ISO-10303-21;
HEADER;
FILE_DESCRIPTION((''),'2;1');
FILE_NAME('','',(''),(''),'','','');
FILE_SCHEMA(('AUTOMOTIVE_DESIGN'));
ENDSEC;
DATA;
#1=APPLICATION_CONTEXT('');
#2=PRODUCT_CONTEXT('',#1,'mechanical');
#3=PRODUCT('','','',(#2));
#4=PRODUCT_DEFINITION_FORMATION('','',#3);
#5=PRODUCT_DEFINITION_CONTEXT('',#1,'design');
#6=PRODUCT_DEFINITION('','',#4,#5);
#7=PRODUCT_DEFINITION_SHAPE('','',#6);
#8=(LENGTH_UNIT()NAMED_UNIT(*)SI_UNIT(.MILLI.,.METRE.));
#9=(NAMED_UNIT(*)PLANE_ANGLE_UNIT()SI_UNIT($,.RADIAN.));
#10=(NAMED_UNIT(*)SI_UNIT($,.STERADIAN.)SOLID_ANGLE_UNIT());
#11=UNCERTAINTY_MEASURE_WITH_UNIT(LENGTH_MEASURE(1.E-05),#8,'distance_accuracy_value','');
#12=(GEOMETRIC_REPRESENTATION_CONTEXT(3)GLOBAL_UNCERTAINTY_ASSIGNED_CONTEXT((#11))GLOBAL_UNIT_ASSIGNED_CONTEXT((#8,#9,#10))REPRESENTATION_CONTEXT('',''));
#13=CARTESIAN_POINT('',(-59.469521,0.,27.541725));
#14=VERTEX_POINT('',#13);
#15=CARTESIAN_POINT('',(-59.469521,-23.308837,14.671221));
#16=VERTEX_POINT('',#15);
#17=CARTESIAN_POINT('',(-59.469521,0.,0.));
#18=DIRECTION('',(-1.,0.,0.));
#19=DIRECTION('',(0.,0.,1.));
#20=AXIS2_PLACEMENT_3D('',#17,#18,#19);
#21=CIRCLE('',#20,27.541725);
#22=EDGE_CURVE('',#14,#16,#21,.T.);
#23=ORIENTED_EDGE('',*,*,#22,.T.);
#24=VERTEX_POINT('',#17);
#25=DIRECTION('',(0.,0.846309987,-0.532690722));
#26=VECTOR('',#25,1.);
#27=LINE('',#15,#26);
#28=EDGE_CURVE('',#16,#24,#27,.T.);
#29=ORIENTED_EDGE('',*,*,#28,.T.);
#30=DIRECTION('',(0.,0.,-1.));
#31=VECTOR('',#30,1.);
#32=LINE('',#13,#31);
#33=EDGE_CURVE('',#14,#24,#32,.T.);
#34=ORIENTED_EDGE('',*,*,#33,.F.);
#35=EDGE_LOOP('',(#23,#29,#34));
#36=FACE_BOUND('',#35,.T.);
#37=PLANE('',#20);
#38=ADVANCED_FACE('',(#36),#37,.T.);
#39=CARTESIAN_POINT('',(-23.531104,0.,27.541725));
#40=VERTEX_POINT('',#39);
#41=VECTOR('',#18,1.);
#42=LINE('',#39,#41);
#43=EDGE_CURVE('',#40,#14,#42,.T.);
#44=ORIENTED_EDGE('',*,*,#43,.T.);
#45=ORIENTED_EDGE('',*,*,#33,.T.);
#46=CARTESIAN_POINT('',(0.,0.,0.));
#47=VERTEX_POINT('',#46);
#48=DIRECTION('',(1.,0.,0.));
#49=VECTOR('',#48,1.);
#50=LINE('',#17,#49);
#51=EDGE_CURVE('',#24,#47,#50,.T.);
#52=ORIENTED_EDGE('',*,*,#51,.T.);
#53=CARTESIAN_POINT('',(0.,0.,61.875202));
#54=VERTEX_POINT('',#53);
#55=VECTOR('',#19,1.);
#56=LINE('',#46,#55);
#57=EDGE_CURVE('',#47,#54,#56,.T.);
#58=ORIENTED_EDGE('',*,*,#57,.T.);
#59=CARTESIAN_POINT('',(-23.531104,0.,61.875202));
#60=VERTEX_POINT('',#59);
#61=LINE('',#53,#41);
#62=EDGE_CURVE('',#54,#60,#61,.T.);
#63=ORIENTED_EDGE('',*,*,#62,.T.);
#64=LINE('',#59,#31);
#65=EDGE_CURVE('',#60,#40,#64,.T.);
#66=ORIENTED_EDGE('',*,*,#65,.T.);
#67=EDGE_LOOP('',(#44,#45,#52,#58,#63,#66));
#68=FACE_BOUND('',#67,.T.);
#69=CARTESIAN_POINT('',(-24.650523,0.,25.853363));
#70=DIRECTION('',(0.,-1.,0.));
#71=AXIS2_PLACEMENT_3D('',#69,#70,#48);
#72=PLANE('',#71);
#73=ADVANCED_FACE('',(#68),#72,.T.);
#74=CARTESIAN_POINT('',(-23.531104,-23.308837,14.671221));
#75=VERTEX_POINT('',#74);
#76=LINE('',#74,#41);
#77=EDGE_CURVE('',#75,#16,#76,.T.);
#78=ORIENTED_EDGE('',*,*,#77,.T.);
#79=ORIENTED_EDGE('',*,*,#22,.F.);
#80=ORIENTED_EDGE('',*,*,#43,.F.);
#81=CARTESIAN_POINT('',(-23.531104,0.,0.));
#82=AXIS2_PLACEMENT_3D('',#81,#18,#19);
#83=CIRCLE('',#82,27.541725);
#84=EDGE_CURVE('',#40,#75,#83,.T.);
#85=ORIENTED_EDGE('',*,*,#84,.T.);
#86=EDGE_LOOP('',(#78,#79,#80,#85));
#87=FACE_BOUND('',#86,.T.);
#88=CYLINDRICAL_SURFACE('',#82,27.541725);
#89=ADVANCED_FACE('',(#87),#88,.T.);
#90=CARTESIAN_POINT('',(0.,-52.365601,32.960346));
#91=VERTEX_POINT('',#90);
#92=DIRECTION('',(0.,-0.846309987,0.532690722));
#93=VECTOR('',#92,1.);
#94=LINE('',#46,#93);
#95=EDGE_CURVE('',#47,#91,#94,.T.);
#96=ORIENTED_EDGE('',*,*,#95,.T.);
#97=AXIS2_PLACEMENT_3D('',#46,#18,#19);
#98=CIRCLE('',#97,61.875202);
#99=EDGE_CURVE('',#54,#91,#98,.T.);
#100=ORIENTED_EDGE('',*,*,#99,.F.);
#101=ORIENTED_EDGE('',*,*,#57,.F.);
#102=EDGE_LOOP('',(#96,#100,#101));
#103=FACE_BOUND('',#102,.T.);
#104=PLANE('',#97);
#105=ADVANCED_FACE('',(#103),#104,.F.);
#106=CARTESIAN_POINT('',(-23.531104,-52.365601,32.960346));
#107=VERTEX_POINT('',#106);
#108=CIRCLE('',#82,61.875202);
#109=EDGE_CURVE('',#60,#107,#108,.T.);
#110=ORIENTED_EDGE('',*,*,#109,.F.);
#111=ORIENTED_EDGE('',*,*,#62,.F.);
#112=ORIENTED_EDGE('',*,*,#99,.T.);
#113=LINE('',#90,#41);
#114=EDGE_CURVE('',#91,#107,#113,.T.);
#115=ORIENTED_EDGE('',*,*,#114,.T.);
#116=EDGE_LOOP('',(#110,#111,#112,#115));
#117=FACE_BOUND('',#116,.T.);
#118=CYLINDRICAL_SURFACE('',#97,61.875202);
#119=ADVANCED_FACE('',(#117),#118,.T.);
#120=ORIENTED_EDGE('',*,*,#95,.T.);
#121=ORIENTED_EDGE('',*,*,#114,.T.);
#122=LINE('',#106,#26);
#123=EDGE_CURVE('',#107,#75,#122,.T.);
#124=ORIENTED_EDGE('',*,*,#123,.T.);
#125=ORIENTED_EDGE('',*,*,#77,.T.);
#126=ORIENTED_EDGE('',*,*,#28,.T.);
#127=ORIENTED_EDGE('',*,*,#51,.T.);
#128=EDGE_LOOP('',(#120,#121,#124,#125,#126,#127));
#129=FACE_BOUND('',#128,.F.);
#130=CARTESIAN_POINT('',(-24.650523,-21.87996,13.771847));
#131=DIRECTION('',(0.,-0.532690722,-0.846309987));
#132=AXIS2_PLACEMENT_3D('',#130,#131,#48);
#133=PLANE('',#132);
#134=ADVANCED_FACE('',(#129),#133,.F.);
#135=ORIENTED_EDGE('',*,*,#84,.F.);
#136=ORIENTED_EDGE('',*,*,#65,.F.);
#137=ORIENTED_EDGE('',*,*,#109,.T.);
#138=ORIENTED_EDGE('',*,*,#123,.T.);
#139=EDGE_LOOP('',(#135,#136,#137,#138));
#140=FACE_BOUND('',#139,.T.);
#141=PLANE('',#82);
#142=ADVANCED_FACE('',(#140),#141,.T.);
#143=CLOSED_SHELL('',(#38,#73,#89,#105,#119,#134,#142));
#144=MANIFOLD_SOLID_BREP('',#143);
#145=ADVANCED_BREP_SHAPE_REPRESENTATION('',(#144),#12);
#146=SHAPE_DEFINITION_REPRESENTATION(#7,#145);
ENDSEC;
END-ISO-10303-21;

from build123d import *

# Parameters (mm, degrees)
F1_ANGLE = 302.187437


with BuildPart() as f1:
    # F0 (on Front) → F1 (revolve)
    with BuildSketch(Plane.XZ):
        Polygon((-59.469521, 0), (0, 0), (0, 61.875202), (-23.531104, 61.875202), (-23.531104, 27.541725), (-59.469521, 27.541725), align=None)
    revolve(axis=Axis((-29.734761, 0, 0), (-1, 0, 0)), revolution_arc=F1_ANGLE)


solid = f1.part
